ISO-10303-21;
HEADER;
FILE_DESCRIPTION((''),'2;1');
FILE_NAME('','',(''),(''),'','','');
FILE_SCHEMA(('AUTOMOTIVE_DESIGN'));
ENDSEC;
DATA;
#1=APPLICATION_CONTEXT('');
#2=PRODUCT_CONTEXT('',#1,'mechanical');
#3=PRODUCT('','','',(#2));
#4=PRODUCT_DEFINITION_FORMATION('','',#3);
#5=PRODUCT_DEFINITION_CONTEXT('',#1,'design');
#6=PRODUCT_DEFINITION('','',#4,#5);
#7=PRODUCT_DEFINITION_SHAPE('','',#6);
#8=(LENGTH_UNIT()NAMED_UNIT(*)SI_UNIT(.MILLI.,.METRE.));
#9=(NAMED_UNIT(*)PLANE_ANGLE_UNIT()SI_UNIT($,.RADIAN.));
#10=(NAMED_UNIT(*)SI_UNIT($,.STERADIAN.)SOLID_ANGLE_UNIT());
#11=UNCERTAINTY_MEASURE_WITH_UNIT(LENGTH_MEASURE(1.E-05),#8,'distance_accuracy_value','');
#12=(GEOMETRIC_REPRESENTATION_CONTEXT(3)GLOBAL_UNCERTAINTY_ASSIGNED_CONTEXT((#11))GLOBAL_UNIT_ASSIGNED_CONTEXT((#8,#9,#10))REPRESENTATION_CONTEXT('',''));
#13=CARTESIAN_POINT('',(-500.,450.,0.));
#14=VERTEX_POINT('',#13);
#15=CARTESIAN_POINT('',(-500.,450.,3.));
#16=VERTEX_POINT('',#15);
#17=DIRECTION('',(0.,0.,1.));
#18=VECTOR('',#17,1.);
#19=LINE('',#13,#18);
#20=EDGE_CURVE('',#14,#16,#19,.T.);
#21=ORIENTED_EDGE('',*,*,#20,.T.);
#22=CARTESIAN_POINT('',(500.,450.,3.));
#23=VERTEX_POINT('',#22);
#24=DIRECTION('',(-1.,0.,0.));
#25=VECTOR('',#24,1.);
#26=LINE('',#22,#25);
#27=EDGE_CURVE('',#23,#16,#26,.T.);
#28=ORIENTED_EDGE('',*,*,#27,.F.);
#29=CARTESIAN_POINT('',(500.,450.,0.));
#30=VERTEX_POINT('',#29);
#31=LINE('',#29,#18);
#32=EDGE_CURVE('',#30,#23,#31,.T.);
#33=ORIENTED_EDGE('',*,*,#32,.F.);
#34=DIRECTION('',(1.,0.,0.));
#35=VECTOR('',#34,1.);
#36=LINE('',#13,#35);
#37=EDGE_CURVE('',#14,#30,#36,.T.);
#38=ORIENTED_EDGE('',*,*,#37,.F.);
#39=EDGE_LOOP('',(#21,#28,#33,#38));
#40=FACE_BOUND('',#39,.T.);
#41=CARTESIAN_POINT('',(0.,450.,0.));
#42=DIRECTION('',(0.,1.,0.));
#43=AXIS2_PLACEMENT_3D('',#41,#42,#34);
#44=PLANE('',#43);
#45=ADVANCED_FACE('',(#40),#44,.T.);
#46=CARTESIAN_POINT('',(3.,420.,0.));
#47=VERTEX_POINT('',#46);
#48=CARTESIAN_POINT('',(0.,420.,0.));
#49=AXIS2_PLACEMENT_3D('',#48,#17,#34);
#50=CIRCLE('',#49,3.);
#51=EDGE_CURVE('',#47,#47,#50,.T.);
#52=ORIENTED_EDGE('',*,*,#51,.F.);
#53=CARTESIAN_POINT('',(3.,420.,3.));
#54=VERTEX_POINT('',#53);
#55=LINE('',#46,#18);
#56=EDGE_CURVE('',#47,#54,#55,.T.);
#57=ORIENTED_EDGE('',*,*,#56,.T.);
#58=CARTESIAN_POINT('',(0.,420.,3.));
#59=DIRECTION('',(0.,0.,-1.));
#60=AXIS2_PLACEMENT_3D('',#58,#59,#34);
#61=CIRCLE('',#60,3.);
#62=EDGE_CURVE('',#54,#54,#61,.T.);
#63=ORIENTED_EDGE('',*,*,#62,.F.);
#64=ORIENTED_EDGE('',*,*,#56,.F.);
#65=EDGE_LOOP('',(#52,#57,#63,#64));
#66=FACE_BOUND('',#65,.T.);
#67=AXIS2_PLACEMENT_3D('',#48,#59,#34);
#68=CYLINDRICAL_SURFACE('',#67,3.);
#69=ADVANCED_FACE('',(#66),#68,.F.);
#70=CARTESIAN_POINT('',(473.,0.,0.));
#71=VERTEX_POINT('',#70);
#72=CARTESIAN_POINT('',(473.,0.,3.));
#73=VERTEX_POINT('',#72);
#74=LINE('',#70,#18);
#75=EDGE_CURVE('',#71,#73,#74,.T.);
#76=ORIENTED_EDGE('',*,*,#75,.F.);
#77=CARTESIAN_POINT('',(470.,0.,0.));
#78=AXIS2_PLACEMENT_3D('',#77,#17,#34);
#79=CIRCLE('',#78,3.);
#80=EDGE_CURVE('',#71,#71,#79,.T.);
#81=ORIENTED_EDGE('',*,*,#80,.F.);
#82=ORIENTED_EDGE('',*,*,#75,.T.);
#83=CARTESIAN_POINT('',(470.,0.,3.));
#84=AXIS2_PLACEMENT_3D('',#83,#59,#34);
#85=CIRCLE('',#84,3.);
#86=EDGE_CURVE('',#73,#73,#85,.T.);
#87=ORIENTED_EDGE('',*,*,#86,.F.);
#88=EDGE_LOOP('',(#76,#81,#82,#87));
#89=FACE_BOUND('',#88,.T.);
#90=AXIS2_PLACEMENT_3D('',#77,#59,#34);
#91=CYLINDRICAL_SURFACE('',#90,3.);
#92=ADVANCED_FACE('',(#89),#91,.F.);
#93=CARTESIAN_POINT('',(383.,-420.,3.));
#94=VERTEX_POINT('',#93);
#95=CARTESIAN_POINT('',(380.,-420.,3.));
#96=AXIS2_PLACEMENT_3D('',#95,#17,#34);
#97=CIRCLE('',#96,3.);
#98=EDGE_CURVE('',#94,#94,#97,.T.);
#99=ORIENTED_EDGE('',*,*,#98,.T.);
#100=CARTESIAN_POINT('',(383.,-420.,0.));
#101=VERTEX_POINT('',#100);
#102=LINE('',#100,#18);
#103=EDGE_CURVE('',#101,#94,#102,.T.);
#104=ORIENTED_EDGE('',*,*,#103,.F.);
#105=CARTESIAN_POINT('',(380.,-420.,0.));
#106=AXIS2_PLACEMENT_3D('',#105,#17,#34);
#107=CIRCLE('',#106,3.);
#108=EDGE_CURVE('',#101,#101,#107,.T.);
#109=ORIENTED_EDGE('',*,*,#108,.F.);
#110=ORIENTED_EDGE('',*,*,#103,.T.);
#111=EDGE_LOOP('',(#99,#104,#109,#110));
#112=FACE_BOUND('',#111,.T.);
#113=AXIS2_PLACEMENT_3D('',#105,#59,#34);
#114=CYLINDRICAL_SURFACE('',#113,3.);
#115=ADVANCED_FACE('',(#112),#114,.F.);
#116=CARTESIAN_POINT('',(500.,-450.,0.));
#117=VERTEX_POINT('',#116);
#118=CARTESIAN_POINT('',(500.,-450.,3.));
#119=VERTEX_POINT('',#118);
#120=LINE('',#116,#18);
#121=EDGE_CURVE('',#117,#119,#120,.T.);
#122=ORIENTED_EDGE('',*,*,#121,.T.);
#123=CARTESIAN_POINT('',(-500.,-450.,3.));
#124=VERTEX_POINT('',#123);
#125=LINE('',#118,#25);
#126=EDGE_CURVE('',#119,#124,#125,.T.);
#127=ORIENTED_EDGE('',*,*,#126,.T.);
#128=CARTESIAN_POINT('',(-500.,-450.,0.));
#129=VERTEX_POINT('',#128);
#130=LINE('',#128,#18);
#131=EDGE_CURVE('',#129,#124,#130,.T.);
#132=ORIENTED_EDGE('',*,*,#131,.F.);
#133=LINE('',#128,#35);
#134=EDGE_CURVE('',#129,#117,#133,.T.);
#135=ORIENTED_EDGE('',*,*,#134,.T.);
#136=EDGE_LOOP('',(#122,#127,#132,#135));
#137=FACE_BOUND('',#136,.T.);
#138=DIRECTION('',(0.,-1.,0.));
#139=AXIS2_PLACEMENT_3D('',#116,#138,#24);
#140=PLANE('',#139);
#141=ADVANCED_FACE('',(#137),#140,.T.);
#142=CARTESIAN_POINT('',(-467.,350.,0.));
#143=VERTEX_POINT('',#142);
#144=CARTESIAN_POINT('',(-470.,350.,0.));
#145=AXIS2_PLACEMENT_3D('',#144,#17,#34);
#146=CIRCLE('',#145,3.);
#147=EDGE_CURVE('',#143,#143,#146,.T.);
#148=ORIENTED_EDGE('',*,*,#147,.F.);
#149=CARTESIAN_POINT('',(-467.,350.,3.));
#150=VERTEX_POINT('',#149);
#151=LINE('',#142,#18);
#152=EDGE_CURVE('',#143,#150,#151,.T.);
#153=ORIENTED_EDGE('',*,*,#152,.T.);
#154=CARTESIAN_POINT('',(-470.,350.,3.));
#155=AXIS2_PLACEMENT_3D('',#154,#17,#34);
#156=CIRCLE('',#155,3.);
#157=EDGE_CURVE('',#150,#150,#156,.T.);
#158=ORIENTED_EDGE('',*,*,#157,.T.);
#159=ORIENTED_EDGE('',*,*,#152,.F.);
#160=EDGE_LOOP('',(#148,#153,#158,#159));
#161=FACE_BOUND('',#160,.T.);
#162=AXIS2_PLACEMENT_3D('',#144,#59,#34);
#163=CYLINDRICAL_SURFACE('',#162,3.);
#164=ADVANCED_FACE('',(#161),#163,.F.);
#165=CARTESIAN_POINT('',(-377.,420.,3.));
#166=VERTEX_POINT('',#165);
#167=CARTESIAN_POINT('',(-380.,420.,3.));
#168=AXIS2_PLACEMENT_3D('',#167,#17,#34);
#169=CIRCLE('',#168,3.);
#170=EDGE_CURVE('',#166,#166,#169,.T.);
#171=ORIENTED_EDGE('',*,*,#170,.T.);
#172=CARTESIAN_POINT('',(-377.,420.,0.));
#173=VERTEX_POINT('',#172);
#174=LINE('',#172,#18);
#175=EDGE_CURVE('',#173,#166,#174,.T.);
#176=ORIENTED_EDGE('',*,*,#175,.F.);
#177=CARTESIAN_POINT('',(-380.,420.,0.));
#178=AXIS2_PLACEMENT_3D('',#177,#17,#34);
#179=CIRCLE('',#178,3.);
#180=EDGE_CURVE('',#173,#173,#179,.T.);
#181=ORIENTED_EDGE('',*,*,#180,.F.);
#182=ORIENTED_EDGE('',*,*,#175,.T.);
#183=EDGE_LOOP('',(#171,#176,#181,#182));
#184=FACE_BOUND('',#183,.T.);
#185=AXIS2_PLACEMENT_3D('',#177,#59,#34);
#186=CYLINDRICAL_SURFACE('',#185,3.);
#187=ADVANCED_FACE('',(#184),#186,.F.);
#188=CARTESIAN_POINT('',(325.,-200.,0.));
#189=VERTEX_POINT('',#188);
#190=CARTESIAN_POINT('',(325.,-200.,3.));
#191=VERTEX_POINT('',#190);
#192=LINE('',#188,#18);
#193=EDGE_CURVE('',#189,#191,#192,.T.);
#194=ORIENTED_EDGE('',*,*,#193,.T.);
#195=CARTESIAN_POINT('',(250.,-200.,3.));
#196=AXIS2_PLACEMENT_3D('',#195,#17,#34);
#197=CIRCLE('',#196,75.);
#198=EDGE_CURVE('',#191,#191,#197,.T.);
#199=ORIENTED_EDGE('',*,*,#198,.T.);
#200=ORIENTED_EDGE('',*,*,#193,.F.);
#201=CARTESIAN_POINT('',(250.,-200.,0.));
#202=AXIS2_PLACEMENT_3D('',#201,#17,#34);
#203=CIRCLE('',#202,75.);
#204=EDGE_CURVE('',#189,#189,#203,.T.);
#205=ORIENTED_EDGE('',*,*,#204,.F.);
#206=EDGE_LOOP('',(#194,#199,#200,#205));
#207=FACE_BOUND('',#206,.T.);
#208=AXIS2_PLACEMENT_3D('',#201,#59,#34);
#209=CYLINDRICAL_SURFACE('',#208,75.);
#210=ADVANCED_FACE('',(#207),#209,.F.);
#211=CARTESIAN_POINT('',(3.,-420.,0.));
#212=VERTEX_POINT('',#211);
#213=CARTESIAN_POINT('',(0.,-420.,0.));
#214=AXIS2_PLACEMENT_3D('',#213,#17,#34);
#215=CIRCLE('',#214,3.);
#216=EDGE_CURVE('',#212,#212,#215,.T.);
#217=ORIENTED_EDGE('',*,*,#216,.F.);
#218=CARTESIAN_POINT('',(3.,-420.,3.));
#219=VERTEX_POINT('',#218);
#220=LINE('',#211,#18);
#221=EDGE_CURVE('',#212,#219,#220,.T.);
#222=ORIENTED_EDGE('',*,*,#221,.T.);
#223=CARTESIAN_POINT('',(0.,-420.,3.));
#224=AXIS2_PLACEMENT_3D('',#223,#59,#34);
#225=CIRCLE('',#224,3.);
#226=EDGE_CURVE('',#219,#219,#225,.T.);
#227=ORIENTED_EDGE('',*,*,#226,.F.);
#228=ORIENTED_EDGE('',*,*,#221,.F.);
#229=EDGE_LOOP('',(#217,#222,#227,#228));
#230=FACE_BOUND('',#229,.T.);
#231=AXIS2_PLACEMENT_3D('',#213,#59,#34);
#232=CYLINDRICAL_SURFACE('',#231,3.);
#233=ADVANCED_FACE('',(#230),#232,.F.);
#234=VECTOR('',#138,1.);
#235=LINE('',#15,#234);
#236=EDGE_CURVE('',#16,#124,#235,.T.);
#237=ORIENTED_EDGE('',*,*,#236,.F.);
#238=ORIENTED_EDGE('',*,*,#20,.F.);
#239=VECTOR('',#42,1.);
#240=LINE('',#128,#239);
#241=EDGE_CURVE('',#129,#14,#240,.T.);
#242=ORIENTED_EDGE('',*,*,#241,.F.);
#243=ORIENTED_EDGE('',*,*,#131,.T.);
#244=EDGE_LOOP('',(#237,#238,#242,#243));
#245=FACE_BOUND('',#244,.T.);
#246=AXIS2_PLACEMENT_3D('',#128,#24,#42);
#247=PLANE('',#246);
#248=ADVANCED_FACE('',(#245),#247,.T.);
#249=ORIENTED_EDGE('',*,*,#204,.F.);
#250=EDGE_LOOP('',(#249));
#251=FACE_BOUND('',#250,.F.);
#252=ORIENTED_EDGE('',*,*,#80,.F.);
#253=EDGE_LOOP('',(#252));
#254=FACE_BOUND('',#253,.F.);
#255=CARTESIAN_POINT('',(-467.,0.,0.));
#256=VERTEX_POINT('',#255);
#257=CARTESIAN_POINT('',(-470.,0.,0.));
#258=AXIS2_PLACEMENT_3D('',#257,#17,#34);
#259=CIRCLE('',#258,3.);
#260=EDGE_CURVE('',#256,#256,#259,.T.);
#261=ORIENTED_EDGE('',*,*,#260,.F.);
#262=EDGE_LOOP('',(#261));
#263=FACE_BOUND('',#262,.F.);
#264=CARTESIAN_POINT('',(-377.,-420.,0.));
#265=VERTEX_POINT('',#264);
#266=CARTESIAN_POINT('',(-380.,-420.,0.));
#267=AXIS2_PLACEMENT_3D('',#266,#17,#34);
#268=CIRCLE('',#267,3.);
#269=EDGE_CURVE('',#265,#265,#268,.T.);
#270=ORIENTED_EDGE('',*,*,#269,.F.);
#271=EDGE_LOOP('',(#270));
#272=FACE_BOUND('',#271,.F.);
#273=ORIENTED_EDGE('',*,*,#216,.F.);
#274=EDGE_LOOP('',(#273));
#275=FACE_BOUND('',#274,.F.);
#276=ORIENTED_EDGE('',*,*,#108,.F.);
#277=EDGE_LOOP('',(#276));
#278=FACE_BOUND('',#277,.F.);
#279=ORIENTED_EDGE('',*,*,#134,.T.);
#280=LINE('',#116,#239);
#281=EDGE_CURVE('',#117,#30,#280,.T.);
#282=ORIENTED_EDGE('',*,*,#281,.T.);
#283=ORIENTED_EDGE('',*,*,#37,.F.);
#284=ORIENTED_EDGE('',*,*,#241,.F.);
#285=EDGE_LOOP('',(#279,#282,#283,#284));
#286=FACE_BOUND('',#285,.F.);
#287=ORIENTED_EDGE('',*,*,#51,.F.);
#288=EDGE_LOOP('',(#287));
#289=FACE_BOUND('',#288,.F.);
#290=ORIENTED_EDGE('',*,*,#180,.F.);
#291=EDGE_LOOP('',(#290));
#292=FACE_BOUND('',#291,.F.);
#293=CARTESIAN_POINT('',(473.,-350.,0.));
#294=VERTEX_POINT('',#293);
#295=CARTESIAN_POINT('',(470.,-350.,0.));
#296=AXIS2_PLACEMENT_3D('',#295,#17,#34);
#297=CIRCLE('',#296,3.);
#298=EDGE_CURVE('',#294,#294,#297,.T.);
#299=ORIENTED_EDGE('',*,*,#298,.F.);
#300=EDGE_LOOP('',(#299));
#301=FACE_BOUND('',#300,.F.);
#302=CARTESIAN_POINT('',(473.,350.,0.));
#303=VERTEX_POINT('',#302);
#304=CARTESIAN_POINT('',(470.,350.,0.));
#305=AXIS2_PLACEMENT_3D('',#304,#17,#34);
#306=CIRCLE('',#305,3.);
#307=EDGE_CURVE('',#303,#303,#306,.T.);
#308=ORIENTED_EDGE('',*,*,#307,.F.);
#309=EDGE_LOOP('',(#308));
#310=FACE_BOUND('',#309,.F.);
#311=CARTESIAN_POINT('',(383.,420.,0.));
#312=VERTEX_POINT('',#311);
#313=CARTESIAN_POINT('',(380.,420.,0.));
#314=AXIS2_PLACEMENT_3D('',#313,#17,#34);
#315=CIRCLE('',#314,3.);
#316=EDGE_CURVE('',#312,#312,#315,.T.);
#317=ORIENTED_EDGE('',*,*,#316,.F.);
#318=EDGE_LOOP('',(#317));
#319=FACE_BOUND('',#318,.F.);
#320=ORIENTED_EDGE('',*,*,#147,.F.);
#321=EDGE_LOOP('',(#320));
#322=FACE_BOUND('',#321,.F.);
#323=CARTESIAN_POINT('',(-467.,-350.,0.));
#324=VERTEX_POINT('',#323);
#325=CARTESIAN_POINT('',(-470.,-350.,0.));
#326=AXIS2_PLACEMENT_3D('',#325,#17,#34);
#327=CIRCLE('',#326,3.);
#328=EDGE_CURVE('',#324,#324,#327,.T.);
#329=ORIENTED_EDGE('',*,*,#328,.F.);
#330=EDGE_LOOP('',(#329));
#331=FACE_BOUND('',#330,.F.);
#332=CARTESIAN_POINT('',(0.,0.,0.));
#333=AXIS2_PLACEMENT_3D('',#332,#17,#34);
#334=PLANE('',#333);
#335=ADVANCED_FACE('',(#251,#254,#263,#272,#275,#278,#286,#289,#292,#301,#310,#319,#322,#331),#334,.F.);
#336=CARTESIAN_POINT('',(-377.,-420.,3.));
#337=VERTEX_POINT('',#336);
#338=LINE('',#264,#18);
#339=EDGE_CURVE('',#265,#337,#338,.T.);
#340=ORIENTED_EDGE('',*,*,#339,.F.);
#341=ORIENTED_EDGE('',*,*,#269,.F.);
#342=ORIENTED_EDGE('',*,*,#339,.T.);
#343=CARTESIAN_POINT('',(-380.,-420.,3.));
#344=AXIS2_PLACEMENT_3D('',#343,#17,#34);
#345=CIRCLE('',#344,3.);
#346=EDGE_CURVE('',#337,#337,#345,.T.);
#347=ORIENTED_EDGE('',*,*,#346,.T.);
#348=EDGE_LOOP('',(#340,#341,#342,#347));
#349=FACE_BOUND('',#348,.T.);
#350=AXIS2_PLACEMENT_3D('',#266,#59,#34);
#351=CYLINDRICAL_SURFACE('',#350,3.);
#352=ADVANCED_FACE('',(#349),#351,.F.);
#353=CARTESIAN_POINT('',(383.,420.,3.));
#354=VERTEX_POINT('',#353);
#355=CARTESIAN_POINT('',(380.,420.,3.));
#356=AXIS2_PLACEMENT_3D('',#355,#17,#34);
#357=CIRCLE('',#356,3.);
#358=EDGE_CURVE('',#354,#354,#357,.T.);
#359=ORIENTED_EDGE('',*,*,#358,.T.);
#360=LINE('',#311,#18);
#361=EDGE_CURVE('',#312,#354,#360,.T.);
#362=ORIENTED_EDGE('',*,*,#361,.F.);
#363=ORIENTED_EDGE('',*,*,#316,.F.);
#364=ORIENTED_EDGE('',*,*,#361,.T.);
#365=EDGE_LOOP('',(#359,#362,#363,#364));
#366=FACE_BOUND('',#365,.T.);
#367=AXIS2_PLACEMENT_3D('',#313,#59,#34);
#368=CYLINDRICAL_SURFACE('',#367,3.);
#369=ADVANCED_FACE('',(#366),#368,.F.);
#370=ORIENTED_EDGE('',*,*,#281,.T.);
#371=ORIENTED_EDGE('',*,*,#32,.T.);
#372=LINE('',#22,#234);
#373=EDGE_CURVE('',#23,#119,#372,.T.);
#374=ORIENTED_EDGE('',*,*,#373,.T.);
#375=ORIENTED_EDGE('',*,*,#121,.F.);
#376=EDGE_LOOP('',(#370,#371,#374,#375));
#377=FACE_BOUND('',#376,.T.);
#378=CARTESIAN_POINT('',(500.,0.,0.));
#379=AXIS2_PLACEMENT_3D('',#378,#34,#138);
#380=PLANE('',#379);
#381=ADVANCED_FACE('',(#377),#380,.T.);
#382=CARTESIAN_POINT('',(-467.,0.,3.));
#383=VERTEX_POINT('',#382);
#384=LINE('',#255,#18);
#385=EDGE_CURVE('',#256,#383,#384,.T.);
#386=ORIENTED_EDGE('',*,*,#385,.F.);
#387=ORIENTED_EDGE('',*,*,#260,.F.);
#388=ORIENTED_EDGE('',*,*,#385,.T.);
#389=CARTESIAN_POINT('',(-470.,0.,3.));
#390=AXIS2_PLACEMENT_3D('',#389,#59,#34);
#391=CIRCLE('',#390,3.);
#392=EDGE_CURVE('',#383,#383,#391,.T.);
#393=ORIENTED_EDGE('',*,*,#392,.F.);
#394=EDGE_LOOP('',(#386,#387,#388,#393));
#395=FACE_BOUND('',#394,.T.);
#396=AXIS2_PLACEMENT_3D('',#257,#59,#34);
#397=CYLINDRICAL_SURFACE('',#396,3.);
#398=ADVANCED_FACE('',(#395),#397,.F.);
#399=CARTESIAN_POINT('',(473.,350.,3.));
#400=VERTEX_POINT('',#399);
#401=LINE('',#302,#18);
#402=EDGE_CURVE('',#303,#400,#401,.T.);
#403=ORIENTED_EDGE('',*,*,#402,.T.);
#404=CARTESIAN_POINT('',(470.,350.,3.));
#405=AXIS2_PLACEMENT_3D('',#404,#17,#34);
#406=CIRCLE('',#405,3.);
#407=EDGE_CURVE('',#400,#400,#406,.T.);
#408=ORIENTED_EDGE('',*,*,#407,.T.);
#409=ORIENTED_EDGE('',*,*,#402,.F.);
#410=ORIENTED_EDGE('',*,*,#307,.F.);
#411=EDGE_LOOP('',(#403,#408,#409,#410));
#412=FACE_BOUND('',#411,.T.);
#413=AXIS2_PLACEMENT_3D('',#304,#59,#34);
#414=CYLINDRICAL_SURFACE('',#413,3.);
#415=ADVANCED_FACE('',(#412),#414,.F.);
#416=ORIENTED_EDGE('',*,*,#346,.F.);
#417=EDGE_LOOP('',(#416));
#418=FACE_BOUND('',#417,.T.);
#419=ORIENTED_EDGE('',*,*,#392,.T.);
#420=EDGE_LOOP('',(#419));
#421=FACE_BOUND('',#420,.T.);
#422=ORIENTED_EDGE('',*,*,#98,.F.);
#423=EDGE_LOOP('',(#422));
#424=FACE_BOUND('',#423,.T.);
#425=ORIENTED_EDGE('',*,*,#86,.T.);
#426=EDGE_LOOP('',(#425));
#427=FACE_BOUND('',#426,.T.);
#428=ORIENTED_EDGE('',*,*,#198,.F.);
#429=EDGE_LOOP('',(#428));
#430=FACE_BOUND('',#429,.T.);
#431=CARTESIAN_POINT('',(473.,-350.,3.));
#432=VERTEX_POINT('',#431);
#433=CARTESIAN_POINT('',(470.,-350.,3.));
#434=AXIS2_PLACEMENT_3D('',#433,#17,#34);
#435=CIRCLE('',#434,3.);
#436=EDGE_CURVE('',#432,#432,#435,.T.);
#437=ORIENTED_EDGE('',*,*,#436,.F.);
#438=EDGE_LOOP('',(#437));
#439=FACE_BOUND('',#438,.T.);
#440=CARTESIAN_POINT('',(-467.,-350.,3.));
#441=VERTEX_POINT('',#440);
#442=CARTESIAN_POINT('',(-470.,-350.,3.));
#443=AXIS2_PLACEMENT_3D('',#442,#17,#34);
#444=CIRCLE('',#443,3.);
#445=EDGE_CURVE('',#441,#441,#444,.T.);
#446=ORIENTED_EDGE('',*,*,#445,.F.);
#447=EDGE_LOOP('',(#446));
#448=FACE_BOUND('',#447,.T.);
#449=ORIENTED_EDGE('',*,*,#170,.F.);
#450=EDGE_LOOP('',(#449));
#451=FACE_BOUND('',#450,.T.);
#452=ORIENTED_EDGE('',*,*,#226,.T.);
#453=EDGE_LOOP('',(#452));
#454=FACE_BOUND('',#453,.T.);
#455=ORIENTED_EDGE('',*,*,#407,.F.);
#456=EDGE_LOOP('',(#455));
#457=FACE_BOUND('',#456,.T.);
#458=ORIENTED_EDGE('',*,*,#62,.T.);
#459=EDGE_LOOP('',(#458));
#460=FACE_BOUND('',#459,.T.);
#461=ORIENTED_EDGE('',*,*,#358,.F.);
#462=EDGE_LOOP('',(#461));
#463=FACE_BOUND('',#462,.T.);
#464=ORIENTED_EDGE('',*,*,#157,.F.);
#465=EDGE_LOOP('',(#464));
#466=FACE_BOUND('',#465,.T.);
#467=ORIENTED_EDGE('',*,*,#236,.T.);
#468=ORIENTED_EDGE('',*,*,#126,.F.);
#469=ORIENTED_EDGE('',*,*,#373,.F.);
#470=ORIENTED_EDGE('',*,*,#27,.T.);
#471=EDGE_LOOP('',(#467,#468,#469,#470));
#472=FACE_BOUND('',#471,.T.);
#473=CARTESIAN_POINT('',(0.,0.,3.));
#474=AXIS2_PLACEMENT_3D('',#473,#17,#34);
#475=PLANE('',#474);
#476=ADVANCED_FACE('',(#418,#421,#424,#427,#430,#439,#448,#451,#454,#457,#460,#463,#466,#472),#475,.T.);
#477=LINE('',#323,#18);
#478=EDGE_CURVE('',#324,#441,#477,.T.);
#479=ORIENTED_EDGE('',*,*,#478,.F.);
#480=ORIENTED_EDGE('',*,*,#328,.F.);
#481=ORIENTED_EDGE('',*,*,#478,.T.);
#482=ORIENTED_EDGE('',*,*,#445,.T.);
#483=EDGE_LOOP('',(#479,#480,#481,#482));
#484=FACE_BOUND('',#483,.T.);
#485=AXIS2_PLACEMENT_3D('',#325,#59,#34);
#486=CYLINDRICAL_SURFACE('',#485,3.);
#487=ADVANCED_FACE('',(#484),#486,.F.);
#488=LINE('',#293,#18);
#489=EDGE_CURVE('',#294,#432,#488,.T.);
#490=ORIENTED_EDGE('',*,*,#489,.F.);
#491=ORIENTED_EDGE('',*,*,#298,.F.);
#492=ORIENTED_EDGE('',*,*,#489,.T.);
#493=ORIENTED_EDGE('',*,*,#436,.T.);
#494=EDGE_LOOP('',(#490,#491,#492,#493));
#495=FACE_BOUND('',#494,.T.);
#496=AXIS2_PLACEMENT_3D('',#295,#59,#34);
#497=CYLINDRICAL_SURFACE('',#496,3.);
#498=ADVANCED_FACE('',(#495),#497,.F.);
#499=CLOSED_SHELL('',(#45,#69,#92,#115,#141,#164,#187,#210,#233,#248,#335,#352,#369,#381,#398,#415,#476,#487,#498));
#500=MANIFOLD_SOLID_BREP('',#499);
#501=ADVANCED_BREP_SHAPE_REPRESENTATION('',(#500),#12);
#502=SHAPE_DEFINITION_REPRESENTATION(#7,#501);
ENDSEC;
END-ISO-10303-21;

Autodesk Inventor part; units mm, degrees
ref_plane "YZ Plane" through (0, 0, 0) normal (1, 0, 0) x (0, 1, 0)
ref_plane "XZ Plane" through (0, 0, 0) normal (0, 1, 0) x (-1, 0, 0)
ref_plane "XY Plane" through (0, 0, 0) normal (0, 0, 1) x (1, 0, 0)
sketch "Szkic1" plane through (0, 0, 0) normal (0, 0, 1) x (1, 0, 0)
  line L0 (500, -450) -> (-500, -450)
  line L1 (-500, -450) -> (-500, 450)
  line L2 (-500, 450) -> (500, 450)
  line L3 (500, 450) -> (500, -450)
  line L4 (500, -450) -> (-500, 450) construction
  line L5 (-500, -450) -> (500, 450) construction
  circle A0 centre (250, -200) radius 75
  line L6 (505, -455) -> (-505, -455) construction
  line L7 (-505, -455) -> (-505, 455) construction
  line L8 (-505, 455) -> (505, 455) construction
  line L9 (505, 455) -> (505, -455) construction
  line L10 (505, -455) -> (-505, 455) construction
  line L11 (-505, -455) -> (505, 455) construction
  line L12 (480, -430) -> (-480, -430) construction
  line L13 (-480, -430) -> (-480, 430) construction
  line L14 (-480, 430) -> (480, 430) construction
  line L15 (480, 430) -> (480, -430) construction
  line L16 (480, -430) -> (-480, 430) construction
  line L17 (-480, -430) -> (480, 430) construction
  circle A1 centre (-470, 0) radius 3
  circle A2 centre (-470, 350) radius 3
  circle A3 centre (-470, -350) radius 3
  circle A4 centre (-470, 0) radius 3
  line L18 (0, -722.0928) -> (0, 703.6821) projected
  line L19 (480, -430) -> (480, 430) construction
  circle A5 centre (470, 350) radius 3
  circle A6 centre (470, -350) radius 3
  circle A7 centre (470, 0) radius 3
  circle A8 centre (0, 420) radius 3
  circle A9 centre (380, 420) radius 3
  circle A10 centre (-380, 420) radius 3
  circle A11 centre (0, 420) radius 3
  line L20 (-763, 0) -> (763, 0) projected
  circle A12 centre (0, -420) radius 3
  circle A13 centre (380, -420) radius 3
  circle A14 centre (-380, -420) radius 3
  line L21 (545, -500) -> (-545, -500) construction
  line L22 (-545, -500) -> (-545, 500) construction
  line L23 (-545, 500) -> (545, 500) construction
  line L24 (545, 500) -> (545, -500) construction
  line L25 (545, -500) -> (-545, 500) construction
  line L26 (-545, -500) -> (545, 500) construction
  line L27 (-372.8845, -485.3907) -> (-256.6542, -485.3907) construction
  line L28 (-256.6542, -485.3907) -> (-256.6542, -518.4107) construction
  line L29 (-256.6542, -518.4107) -> (-372.8845, -518.4107) construction
  line L30 (-372.8845, -518.4107) -> (-372.8845, -485.3907) construction
  point P0 (0, 0)
  dimension "d0" = 1000
  dimension "d1" = 900
  dimension "d2" = 150
  dimension "d3" = 250
  dimension "d4" = 250
  dimension "d5" = 1010
  dimension "d6" = 910
  dimension "d7" = 25
  dimension "d8" = 25
  dimension "d9" = 6
  dimension "d10" = 10
  dimension "d13" = 350
  dimension "d16" = 350
  dimension "d19" = 6
  dimension "d20" = 10
  dimension "d23" = 380
  dimension "d26" = 380
  dimension "d31" = 1090
  dimension "d32" = 1000
extrude "Wyciągnięcie proste1" add sketch "Szkic1" along normal blind 3 contours L0 L18 A12 L20 A7 L3 | L0 L1 L20 A1 L18 A12 | L20 A7 L18 A8 L2 L3 | L1 L2 L18 A8 L20 A1
properties part number "PLEXI 1"
